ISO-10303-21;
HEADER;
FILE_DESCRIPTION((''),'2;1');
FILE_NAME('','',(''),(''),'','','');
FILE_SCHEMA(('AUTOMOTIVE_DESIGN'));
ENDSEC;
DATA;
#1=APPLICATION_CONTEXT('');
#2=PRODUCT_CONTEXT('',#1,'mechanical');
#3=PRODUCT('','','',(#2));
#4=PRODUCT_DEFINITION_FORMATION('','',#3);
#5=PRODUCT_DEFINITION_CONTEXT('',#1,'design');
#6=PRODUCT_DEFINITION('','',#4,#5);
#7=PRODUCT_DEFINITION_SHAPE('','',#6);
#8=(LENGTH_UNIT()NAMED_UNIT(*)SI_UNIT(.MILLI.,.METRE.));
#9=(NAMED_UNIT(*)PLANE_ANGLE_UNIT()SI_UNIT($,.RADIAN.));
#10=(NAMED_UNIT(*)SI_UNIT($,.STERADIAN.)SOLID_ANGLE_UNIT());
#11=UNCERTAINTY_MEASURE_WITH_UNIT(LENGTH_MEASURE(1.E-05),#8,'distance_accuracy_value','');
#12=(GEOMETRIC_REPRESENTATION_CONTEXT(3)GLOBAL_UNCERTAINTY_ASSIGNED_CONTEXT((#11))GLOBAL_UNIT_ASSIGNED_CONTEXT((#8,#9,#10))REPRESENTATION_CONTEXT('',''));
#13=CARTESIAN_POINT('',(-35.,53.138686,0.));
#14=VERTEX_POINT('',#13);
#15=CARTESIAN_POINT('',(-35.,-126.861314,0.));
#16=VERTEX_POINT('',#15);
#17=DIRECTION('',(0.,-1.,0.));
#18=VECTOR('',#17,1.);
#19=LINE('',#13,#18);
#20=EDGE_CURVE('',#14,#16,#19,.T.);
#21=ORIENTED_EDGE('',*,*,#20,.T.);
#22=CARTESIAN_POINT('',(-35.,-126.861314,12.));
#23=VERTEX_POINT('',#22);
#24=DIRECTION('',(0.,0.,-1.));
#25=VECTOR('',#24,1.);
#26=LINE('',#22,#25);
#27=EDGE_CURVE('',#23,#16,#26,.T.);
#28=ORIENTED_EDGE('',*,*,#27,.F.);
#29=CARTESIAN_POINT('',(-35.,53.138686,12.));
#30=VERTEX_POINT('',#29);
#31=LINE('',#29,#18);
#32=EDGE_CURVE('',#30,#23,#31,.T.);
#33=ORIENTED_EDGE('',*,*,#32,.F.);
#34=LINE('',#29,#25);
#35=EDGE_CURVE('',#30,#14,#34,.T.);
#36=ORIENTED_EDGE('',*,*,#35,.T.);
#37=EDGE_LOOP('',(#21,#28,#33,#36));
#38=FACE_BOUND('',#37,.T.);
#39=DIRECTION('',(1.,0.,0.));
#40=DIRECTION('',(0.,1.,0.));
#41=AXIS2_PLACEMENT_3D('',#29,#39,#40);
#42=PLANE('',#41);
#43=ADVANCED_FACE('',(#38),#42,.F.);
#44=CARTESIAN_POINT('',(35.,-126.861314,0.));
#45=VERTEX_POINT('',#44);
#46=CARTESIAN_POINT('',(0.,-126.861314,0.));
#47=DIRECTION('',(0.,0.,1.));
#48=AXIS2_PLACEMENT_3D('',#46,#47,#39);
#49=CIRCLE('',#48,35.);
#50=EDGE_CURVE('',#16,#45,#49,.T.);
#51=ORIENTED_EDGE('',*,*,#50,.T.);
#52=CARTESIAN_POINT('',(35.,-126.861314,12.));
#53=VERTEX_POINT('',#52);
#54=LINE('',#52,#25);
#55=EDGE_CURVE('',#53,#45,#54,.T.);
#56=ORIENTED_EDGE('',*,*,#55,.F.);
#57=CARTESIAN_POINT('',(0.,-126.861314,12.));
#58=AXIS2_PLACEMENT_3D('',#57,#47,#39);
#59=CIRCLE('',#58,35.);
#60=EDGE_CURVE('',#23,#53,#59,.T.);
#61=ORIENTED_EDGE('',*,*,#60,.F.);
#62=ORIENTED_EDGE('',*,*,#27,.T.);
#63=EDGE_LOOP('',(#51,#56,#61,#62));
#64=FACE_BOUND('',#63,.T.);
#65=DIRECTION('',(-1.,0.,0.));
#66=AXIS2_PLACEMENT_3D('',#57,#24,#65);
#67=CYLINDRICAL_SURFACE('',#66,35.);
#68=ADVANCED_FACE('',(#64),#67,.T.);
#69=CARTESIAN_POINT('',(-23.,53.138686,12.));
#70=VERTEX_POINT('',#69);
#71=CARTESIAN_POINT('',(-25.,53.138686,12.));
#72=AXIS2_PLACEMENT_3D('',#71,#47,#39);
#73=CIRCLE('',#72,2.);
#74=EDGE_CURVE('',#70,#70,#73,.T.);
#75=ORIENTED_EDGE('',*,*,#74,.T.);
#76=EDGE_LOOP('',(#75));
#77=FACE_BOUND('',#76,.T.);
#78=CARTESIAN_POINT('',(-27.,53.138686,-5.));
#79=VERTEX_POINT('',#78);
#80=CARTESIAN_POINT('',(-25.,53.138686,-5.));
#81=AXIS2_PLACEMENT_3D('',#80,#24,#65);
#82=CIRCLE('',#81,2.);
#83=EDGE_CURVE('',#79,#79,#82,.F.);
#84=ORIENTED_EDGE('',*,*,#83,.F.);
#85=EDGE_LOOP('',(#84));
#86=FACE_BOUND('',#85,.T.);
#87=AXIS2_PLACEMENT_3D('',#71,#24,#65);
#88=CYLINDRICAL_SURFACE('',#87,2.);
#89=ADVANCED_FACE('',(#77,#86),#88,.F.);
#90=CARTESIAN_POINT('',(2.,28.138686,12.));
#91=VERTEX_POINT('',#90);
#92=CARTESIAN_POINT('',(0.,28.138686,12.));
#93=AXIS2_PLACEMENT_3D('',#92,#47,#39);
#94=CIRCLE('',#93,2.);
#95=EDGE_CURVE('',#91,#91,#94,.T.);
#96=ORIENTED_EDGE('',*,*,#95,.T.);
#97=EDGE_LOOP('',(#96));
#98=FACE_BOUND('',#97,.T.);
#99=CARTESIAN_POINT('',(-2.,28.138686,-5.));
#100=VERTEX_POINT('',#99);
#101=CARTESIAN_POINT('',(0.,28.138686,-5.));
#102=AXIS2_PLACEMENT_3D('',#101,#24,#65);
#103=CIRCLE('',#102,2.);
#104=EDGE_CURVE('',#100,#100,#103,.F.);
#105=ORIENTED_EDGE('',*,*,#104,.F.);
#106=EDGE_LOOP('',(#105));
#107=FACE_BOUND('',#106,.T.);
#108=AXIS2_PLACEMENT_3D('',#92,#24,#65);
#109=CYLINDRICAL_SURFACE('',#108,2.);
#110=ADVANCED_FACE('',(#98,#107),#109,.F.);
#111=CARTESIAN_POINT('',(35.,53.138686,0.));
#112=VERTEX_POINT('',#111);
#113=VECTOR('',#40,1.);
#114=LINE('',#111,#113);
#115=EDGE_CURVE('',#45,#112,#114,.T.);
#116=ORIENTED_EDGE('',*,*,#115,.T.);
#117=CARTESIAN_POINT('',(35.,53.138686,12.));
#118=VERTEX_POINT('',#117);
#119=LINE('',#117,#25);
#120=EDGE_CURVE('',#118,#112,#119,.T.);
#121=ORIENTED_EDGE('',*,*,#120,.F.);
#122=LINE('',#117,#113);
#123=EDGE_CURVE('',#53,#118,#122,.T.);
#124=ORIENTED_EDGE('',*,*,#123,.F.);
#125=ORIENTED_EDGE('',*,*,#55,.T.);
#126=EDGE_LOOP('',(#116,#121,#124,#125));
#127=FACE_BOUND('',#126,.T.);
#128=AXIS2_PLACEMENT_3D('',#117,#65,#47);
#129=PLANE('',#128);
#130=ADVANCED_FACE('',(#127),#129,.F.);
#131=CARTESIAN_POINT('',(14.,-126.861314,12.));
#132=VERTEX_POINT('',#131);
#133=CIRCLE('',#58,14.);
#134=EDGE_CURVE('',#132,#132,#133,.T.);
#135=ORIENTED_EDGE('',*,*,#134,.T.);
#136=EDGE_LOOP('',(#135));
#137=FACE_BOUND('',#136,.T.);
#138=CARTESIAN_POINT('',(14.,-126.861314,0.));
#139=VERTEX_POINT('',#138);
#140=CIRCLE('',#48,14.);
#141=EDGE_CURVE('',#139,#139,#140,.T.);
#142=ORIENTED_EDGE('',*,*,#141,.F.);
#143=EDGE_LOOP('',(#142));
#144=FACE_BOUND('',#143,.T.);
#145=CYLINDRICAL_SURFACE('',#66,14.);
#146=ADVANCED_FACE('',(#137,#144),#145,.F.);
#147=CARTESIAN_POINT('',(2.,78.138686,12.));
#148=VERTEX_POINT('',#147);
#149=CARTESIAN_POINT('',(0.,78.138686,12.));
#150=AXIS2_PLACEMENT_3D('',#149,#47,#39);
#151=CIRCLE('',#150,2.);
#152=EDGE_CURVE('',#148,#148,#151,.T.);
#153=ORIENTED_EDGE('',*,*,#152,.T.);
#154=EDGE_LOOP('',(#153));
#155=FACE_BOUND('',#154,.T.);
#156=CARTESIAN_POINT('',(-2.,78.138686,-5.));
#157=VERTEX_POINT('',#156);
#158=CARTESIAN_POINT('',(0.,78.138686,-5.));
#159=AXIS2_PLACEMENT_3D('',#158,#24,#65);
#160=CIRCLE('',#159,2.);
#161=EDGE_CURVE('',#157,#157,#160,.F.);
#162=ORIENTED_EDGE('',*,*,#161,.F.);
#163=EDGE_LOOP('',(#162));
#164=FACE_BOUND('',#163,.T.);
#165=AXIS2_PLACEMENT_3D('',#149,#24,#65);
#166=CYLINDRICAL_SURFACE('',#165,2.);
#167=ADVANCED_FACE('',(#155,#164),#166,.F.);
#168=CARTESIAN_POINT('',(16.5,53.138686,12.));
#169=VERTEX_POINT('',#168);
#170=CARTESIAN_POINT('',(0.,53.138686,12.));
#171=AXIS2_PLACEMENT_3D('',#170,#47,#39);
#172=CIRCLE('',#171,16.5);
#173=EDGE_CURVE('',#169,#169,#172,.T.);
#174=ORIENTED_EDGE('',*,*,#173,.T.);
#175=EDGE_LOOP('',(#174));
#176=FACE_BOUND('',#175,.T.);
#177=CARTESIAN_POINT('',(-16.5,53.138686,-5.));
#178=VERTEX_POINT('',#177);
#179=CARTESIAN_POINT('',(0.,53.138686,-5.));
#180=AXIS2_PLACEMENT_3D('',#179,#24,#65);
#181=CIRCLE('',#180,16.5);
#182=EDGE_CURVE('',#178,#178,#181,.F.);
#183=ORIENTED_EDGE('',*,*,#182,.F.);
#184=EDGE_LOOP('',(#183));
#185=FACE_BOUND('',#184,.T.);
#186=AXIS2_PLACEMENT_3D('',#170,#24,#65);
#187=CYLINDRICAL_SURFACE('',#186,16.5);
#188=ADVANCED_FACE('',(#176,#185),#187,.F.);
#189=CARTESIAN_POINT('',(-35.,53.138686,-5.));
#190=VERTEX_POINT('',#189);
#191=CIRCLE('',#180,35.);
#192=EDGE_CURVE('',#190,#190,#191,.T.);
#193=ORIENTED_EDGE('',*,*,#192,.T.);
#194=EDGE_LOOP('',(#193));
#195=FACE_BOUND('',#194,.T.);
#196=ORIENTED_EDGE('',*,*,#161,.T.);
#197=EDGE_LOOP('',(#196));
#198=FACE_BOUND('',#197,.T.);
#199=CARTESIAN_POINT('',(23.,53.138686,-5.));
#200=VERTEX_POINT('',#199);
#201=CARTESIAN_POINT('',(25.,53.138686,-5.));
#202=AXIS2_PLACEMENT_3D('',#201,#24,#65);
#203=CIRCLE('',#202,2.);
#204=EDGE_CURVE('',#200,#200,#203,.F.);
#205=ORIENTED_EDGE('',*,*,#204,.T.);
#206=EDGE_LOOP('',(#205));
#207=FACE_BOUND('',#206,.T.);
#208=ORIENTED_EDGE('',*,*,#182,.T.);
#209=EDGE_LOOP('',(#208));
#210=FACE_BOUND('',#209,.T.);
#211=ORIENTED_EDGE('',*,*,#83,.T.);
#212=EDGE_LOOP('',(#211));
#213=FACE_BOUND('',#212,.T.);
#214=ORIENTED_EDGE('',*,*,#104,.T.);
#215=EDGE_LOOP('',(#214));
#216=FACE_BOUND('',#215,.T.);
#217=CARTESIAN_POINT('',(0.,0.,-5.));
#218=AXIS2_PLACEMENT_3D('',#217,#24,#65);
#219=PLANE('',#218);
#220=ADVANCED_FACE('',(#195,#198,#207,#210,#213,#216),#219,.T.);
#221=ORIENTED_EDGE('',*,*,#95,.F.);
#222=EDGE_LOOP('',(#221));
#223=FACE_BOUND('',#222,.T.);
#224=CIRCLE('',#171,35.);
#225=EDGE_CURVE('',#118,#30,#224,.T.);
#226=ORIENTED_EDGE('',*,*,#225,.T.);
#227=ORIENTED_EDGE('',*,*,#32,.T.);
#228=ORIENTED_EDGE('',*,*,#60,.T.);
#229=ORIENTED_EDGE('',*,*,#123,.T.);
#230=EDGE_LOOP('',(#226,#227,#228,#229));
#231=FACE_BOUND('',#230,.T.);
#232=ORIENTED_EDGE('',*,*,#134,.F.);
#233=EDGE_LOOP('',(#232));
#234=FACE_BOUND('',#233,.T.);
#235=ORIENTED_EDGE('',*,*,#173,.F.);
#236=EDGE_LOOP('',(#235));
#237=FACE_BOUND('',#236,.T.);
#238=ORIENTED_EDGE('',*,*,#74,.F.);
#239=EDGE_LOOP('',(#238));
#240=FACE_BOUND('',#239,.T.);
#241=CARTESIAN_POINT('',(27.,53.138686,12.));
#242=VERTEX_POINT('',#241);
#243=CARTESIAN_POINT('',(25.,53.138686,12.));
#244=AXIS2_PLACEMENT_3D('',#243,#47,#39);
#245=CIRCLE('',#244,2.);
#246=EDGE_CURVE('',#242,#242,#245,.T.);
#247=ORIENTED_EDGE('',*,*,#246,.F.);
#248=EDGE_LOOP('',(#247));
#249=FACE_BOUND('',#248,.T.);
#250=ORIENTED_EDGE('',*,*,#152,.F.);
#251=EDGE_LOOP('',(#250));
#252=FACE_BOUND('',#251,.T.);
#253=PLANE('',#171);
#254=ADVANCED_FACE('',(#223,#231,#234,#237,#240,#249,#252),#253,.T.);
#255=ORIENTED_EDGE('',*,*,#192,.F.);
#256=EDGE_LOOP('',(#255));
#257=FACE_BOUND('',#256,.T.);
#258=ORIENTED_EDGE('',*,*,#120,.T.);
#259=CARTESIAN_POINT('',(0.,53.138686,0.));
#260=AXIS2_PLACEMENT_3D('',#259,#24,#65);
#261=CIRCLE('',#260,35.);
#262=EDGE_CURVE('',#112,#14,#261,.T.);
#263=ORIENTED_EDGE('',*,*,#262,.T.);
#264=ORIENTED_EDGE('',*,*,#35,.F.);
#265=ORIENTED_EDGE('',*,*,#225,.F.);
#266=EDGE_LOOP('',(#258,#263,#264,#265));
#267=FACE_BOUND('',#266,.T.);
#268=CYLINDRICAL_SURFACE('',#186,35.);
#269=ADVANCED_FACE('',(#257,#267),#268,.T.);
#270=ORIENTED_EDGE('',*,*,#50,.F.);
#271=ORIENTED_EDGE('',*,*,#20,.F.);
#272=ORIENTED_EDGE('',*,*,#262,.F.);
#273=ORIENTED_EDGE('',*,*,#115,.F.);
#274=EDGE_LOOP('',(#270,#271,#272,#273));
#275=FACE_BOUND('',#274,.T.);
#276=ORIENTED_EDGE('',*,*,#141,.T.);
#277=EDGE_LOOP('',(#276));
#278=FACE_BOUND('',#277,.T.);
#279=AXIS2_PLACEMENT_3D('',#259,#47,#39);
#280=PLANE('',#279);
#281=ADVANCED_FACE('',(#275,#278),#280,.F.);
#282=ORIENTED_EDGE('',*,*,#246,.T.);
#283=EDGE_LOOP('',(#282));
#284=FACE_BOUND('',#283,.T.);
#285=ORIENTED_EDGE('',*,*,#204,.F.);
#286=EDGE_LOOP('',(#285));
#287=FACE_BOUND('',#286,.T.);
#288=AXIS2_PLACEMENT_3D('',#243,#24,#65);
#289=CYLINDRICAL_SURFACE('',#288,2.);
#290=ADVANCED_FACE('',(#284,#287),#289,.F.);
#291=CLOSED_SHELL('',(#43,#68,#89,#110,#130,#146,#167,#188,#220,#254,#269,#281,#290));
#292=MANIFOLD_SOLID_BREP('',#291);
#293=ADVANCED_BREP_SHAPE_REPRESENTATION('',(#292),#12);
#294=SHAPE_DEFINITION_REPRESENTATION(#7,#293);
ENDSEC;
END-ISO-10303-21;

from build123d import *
from build123d.topology import SkipClean

# Parameters (mm, degrees)
SKETCH2_R           = 16.5
SKETCH2_R_2         = 14
SKETCH2_R_3         = 2
BOSS_EXTRUDE1_DEPTH = 12
BOSS_EXTRUDE2_START = 5
SKETCH3_R           = 2
SKETCH3_R_2         = 16.5
BOSS_EXTRUDE2_DEPTH = 5


with BuildPart() as part:
    # Sketch2 → Boss-Extrude1 (new body)
    with BuildSketch(Plane.XY):
        with BuildLine():
            Line((35, 53.138686131), (35, -126.861313869))
            ThreePointArc((35, -126.861313869), (0, -161.861313869), (-35, -126.861313869))
            Line((-35, -126.861313869), (-35, 53.138686131))
            ThreePointArc((-35, 53.138686131), (0, 88.138686131), (35, 53.138686131))
        make_face()
        with Locations((0, 53.138686131)):
            Circle(SKETCH2_R, mode=Mode.SUBTRACT)
        with Locations((0, -126.861313869)):
            Circle(SKETCH2_R_2, mode=Mode.SUBTRACT)
        with Locations((0, 78.138686131)):
            Circle(SKETCH2_R_3, mode=Mode.SUBTRACT)
        with Locations((-25, 53.138686131)):
            Circle(SKETCH2_R_3, mode=Mode.SUBTRACT)
        with Locations((0, 28.138686131)):
            Circle(SKETCH2_R_3, mode=Mode.SUBTRACT)
        with Locations((25, 53.138686131)):
            Circle(SKETCH2_R_3, mode=Mode.SUBTRACT)
    extrude(amount=BOSS_EXTRUDE1_DEPTH)

    # Sketch3 → Boss-Extrude2 (add)
    with SkipClean():  # the faces are left unmerged after this step: merging them gives an invalid solid
        with BuildSketch(Plane(origin=(0, 0, 0), x_dir=(-1, 0, 0), z_dir=(0, 0, -1)).offset(BOSS_EXTRUDE2_START)):
            with BuildLine():
                ThreePointArc((35, 53.138686131), (0, 88.138686131), (-35, 53.138686131))
                ThreePointArc((-35, 53.138686131), (0, 18.138686131), (35, 53.138686131))
            make_face()
            with Locations((-25, 53.138686131)):
                Circle(SKETCH3_R, mode=Mode.SUBTRACT)
            with Locations((0, 28.138686131)):
                Circle(SKETCH3_R, mode=Mode.SUBTRACT)
            with Locations((0, 53.138686131)):
                Circle(SKETCH3_R_2, mode=Mode.SUBTRACT)
            with Locations((0, 78.138686131)):
                Circle(SKETCH3_R, mode=Mode.SUBTRACT)
            with Locations((25, 53.138686131)):
                Circle(SKETCH3_R, mode=Mode.SUBTRACT)
        extrude(amount=-BOSS_EXTRUDE2_DEPTH)


solid = part.part
